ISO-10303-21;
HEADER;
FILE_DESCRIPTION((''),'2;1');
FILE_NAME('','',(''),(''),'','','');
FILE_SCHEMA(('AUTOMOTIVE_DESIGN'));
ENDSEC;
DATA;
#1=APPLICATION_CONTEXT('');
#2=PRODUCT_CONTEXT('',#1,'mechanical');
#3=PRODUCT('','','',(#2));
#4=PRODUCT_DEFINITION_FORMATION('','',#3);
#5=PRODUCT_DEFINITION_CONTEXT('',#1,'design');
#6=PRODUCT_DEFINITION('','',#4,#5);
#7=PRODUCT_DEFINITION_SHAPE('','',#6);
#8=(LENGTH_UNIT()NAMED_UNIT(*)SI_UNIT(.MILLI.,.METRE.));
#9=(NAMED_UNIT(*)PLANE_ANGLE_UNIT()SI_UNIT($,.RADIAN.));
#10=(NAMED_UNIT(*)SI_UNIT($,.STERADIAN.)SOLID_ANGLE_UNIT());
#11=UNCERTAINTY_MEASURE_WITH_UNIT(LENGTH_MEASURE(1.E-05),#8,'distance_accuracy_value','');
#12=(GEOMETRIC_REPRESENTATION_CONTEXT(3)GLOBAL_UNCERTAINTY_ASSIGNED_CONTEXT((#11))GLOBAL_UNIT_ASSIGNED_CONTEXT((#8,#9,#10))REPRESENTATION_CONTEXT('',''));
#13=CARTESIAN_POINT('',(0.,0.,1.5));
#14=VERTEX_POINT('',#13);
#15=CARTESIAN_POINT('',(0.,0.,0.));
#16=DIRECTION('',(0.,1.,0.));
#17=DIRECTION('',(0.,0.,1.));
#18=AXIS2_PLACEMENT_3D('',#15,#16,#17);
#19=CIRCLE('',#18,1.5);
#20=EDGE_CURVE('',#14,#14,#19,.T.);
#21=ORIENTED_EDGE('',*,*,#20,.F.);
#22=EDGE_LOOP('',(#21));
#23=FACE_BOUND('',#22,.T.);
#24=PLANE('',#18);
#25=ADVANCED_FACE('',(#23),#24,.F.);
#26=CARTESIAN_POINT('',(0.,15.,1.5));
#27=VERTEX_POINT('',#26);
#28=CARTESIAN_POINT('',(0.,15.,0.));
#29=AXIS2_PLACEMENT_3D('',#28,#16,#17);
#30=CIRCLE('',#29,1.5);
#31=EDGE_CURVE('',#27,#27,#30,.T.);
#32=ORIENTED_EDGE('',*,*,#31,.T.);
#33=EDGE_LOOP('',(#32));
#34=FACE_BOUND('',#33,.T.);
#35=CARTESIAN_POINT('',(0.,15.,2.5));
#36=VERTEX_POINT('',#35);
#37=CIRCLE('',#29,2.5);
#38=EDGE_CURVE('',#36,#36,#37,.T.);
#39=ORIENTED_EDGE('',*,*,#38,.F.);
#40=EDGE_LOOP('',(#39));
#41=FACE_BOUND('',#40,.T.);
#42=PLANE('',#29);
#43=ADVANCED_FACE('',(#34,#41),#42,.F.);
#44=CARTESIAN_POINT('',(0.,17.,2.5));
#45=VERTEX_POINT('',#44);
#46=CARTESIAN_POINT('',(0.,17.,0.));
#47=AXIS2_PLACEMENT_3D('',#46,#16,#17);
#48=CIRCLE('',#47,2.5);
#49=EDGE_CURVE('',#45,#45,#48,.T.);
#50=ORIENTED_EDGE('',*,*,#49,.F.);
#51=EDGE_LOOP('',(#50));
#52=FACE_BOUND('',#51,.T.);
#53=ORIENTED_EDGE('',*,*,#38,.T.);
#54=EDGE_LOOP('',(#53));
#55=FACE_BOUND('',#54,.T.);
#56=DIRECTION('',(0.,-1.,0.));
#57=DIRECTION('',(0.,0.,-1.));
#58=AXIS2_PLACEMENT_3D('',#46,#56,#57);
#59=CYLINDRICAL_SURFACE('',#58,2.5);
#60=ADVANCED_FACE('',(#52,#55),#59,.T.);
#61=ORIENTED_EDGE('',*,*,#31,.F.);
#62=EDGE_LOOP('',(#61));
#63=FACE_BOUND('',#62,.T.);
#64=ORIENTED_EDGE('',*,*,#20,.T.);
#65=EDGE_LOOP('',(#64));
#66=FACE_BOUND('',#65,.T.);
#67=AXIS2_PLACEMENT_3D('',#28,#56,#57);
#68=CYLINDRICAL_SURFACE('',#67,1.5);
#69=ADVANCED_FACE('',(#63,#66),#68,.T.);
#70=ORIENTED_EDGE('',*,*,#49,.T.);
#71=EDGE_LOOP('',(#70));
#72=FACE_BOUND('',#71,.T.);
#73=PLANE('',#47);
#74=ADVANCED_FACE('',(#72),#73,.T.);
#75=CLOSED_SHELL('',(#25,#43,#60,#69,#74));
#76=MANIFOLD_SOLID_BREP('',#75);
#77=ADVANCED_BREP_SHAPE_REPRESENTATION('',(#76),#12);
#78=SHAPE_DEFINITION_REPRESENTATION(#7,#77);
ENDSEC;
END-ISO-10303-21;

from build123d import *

# Parameters (mm, degrees)
ESQUISSE1_R      = 1.5
EXTRUSION1_DEPTH = 15
ESQUISSE2_R      = 2.5
EXTRUSION2_DEPTH = 2


with BuildPart() as part:
    # Esquisse1 → Extrusion1 (new body)
    with BuildSketch(Plane(origin=(0, 0, 0), x_dir=(1, 0, 0), z_dir=(0, 1, 0))):
        with Locations(Location((0, 0, 0), (0, 0, 270))):
            Circle(ESQUISSE1_R)
    extrude(amount=EXTRUSION1_DEPTH)

    # Esquisse2 → Extrusion2 (add)
    with BuildSketch(Plane(origin=(0, 15, 0), x_dir=(1, 0, 0), z_dir=(0, 1, 0))):
        with Locations(Location((0, 0, 0), (0, 0, 270))):
            Circle(ESQUISSE2_R)
    extrude(amount=EXTRUSION2_DEPTH)


solid = part.part
